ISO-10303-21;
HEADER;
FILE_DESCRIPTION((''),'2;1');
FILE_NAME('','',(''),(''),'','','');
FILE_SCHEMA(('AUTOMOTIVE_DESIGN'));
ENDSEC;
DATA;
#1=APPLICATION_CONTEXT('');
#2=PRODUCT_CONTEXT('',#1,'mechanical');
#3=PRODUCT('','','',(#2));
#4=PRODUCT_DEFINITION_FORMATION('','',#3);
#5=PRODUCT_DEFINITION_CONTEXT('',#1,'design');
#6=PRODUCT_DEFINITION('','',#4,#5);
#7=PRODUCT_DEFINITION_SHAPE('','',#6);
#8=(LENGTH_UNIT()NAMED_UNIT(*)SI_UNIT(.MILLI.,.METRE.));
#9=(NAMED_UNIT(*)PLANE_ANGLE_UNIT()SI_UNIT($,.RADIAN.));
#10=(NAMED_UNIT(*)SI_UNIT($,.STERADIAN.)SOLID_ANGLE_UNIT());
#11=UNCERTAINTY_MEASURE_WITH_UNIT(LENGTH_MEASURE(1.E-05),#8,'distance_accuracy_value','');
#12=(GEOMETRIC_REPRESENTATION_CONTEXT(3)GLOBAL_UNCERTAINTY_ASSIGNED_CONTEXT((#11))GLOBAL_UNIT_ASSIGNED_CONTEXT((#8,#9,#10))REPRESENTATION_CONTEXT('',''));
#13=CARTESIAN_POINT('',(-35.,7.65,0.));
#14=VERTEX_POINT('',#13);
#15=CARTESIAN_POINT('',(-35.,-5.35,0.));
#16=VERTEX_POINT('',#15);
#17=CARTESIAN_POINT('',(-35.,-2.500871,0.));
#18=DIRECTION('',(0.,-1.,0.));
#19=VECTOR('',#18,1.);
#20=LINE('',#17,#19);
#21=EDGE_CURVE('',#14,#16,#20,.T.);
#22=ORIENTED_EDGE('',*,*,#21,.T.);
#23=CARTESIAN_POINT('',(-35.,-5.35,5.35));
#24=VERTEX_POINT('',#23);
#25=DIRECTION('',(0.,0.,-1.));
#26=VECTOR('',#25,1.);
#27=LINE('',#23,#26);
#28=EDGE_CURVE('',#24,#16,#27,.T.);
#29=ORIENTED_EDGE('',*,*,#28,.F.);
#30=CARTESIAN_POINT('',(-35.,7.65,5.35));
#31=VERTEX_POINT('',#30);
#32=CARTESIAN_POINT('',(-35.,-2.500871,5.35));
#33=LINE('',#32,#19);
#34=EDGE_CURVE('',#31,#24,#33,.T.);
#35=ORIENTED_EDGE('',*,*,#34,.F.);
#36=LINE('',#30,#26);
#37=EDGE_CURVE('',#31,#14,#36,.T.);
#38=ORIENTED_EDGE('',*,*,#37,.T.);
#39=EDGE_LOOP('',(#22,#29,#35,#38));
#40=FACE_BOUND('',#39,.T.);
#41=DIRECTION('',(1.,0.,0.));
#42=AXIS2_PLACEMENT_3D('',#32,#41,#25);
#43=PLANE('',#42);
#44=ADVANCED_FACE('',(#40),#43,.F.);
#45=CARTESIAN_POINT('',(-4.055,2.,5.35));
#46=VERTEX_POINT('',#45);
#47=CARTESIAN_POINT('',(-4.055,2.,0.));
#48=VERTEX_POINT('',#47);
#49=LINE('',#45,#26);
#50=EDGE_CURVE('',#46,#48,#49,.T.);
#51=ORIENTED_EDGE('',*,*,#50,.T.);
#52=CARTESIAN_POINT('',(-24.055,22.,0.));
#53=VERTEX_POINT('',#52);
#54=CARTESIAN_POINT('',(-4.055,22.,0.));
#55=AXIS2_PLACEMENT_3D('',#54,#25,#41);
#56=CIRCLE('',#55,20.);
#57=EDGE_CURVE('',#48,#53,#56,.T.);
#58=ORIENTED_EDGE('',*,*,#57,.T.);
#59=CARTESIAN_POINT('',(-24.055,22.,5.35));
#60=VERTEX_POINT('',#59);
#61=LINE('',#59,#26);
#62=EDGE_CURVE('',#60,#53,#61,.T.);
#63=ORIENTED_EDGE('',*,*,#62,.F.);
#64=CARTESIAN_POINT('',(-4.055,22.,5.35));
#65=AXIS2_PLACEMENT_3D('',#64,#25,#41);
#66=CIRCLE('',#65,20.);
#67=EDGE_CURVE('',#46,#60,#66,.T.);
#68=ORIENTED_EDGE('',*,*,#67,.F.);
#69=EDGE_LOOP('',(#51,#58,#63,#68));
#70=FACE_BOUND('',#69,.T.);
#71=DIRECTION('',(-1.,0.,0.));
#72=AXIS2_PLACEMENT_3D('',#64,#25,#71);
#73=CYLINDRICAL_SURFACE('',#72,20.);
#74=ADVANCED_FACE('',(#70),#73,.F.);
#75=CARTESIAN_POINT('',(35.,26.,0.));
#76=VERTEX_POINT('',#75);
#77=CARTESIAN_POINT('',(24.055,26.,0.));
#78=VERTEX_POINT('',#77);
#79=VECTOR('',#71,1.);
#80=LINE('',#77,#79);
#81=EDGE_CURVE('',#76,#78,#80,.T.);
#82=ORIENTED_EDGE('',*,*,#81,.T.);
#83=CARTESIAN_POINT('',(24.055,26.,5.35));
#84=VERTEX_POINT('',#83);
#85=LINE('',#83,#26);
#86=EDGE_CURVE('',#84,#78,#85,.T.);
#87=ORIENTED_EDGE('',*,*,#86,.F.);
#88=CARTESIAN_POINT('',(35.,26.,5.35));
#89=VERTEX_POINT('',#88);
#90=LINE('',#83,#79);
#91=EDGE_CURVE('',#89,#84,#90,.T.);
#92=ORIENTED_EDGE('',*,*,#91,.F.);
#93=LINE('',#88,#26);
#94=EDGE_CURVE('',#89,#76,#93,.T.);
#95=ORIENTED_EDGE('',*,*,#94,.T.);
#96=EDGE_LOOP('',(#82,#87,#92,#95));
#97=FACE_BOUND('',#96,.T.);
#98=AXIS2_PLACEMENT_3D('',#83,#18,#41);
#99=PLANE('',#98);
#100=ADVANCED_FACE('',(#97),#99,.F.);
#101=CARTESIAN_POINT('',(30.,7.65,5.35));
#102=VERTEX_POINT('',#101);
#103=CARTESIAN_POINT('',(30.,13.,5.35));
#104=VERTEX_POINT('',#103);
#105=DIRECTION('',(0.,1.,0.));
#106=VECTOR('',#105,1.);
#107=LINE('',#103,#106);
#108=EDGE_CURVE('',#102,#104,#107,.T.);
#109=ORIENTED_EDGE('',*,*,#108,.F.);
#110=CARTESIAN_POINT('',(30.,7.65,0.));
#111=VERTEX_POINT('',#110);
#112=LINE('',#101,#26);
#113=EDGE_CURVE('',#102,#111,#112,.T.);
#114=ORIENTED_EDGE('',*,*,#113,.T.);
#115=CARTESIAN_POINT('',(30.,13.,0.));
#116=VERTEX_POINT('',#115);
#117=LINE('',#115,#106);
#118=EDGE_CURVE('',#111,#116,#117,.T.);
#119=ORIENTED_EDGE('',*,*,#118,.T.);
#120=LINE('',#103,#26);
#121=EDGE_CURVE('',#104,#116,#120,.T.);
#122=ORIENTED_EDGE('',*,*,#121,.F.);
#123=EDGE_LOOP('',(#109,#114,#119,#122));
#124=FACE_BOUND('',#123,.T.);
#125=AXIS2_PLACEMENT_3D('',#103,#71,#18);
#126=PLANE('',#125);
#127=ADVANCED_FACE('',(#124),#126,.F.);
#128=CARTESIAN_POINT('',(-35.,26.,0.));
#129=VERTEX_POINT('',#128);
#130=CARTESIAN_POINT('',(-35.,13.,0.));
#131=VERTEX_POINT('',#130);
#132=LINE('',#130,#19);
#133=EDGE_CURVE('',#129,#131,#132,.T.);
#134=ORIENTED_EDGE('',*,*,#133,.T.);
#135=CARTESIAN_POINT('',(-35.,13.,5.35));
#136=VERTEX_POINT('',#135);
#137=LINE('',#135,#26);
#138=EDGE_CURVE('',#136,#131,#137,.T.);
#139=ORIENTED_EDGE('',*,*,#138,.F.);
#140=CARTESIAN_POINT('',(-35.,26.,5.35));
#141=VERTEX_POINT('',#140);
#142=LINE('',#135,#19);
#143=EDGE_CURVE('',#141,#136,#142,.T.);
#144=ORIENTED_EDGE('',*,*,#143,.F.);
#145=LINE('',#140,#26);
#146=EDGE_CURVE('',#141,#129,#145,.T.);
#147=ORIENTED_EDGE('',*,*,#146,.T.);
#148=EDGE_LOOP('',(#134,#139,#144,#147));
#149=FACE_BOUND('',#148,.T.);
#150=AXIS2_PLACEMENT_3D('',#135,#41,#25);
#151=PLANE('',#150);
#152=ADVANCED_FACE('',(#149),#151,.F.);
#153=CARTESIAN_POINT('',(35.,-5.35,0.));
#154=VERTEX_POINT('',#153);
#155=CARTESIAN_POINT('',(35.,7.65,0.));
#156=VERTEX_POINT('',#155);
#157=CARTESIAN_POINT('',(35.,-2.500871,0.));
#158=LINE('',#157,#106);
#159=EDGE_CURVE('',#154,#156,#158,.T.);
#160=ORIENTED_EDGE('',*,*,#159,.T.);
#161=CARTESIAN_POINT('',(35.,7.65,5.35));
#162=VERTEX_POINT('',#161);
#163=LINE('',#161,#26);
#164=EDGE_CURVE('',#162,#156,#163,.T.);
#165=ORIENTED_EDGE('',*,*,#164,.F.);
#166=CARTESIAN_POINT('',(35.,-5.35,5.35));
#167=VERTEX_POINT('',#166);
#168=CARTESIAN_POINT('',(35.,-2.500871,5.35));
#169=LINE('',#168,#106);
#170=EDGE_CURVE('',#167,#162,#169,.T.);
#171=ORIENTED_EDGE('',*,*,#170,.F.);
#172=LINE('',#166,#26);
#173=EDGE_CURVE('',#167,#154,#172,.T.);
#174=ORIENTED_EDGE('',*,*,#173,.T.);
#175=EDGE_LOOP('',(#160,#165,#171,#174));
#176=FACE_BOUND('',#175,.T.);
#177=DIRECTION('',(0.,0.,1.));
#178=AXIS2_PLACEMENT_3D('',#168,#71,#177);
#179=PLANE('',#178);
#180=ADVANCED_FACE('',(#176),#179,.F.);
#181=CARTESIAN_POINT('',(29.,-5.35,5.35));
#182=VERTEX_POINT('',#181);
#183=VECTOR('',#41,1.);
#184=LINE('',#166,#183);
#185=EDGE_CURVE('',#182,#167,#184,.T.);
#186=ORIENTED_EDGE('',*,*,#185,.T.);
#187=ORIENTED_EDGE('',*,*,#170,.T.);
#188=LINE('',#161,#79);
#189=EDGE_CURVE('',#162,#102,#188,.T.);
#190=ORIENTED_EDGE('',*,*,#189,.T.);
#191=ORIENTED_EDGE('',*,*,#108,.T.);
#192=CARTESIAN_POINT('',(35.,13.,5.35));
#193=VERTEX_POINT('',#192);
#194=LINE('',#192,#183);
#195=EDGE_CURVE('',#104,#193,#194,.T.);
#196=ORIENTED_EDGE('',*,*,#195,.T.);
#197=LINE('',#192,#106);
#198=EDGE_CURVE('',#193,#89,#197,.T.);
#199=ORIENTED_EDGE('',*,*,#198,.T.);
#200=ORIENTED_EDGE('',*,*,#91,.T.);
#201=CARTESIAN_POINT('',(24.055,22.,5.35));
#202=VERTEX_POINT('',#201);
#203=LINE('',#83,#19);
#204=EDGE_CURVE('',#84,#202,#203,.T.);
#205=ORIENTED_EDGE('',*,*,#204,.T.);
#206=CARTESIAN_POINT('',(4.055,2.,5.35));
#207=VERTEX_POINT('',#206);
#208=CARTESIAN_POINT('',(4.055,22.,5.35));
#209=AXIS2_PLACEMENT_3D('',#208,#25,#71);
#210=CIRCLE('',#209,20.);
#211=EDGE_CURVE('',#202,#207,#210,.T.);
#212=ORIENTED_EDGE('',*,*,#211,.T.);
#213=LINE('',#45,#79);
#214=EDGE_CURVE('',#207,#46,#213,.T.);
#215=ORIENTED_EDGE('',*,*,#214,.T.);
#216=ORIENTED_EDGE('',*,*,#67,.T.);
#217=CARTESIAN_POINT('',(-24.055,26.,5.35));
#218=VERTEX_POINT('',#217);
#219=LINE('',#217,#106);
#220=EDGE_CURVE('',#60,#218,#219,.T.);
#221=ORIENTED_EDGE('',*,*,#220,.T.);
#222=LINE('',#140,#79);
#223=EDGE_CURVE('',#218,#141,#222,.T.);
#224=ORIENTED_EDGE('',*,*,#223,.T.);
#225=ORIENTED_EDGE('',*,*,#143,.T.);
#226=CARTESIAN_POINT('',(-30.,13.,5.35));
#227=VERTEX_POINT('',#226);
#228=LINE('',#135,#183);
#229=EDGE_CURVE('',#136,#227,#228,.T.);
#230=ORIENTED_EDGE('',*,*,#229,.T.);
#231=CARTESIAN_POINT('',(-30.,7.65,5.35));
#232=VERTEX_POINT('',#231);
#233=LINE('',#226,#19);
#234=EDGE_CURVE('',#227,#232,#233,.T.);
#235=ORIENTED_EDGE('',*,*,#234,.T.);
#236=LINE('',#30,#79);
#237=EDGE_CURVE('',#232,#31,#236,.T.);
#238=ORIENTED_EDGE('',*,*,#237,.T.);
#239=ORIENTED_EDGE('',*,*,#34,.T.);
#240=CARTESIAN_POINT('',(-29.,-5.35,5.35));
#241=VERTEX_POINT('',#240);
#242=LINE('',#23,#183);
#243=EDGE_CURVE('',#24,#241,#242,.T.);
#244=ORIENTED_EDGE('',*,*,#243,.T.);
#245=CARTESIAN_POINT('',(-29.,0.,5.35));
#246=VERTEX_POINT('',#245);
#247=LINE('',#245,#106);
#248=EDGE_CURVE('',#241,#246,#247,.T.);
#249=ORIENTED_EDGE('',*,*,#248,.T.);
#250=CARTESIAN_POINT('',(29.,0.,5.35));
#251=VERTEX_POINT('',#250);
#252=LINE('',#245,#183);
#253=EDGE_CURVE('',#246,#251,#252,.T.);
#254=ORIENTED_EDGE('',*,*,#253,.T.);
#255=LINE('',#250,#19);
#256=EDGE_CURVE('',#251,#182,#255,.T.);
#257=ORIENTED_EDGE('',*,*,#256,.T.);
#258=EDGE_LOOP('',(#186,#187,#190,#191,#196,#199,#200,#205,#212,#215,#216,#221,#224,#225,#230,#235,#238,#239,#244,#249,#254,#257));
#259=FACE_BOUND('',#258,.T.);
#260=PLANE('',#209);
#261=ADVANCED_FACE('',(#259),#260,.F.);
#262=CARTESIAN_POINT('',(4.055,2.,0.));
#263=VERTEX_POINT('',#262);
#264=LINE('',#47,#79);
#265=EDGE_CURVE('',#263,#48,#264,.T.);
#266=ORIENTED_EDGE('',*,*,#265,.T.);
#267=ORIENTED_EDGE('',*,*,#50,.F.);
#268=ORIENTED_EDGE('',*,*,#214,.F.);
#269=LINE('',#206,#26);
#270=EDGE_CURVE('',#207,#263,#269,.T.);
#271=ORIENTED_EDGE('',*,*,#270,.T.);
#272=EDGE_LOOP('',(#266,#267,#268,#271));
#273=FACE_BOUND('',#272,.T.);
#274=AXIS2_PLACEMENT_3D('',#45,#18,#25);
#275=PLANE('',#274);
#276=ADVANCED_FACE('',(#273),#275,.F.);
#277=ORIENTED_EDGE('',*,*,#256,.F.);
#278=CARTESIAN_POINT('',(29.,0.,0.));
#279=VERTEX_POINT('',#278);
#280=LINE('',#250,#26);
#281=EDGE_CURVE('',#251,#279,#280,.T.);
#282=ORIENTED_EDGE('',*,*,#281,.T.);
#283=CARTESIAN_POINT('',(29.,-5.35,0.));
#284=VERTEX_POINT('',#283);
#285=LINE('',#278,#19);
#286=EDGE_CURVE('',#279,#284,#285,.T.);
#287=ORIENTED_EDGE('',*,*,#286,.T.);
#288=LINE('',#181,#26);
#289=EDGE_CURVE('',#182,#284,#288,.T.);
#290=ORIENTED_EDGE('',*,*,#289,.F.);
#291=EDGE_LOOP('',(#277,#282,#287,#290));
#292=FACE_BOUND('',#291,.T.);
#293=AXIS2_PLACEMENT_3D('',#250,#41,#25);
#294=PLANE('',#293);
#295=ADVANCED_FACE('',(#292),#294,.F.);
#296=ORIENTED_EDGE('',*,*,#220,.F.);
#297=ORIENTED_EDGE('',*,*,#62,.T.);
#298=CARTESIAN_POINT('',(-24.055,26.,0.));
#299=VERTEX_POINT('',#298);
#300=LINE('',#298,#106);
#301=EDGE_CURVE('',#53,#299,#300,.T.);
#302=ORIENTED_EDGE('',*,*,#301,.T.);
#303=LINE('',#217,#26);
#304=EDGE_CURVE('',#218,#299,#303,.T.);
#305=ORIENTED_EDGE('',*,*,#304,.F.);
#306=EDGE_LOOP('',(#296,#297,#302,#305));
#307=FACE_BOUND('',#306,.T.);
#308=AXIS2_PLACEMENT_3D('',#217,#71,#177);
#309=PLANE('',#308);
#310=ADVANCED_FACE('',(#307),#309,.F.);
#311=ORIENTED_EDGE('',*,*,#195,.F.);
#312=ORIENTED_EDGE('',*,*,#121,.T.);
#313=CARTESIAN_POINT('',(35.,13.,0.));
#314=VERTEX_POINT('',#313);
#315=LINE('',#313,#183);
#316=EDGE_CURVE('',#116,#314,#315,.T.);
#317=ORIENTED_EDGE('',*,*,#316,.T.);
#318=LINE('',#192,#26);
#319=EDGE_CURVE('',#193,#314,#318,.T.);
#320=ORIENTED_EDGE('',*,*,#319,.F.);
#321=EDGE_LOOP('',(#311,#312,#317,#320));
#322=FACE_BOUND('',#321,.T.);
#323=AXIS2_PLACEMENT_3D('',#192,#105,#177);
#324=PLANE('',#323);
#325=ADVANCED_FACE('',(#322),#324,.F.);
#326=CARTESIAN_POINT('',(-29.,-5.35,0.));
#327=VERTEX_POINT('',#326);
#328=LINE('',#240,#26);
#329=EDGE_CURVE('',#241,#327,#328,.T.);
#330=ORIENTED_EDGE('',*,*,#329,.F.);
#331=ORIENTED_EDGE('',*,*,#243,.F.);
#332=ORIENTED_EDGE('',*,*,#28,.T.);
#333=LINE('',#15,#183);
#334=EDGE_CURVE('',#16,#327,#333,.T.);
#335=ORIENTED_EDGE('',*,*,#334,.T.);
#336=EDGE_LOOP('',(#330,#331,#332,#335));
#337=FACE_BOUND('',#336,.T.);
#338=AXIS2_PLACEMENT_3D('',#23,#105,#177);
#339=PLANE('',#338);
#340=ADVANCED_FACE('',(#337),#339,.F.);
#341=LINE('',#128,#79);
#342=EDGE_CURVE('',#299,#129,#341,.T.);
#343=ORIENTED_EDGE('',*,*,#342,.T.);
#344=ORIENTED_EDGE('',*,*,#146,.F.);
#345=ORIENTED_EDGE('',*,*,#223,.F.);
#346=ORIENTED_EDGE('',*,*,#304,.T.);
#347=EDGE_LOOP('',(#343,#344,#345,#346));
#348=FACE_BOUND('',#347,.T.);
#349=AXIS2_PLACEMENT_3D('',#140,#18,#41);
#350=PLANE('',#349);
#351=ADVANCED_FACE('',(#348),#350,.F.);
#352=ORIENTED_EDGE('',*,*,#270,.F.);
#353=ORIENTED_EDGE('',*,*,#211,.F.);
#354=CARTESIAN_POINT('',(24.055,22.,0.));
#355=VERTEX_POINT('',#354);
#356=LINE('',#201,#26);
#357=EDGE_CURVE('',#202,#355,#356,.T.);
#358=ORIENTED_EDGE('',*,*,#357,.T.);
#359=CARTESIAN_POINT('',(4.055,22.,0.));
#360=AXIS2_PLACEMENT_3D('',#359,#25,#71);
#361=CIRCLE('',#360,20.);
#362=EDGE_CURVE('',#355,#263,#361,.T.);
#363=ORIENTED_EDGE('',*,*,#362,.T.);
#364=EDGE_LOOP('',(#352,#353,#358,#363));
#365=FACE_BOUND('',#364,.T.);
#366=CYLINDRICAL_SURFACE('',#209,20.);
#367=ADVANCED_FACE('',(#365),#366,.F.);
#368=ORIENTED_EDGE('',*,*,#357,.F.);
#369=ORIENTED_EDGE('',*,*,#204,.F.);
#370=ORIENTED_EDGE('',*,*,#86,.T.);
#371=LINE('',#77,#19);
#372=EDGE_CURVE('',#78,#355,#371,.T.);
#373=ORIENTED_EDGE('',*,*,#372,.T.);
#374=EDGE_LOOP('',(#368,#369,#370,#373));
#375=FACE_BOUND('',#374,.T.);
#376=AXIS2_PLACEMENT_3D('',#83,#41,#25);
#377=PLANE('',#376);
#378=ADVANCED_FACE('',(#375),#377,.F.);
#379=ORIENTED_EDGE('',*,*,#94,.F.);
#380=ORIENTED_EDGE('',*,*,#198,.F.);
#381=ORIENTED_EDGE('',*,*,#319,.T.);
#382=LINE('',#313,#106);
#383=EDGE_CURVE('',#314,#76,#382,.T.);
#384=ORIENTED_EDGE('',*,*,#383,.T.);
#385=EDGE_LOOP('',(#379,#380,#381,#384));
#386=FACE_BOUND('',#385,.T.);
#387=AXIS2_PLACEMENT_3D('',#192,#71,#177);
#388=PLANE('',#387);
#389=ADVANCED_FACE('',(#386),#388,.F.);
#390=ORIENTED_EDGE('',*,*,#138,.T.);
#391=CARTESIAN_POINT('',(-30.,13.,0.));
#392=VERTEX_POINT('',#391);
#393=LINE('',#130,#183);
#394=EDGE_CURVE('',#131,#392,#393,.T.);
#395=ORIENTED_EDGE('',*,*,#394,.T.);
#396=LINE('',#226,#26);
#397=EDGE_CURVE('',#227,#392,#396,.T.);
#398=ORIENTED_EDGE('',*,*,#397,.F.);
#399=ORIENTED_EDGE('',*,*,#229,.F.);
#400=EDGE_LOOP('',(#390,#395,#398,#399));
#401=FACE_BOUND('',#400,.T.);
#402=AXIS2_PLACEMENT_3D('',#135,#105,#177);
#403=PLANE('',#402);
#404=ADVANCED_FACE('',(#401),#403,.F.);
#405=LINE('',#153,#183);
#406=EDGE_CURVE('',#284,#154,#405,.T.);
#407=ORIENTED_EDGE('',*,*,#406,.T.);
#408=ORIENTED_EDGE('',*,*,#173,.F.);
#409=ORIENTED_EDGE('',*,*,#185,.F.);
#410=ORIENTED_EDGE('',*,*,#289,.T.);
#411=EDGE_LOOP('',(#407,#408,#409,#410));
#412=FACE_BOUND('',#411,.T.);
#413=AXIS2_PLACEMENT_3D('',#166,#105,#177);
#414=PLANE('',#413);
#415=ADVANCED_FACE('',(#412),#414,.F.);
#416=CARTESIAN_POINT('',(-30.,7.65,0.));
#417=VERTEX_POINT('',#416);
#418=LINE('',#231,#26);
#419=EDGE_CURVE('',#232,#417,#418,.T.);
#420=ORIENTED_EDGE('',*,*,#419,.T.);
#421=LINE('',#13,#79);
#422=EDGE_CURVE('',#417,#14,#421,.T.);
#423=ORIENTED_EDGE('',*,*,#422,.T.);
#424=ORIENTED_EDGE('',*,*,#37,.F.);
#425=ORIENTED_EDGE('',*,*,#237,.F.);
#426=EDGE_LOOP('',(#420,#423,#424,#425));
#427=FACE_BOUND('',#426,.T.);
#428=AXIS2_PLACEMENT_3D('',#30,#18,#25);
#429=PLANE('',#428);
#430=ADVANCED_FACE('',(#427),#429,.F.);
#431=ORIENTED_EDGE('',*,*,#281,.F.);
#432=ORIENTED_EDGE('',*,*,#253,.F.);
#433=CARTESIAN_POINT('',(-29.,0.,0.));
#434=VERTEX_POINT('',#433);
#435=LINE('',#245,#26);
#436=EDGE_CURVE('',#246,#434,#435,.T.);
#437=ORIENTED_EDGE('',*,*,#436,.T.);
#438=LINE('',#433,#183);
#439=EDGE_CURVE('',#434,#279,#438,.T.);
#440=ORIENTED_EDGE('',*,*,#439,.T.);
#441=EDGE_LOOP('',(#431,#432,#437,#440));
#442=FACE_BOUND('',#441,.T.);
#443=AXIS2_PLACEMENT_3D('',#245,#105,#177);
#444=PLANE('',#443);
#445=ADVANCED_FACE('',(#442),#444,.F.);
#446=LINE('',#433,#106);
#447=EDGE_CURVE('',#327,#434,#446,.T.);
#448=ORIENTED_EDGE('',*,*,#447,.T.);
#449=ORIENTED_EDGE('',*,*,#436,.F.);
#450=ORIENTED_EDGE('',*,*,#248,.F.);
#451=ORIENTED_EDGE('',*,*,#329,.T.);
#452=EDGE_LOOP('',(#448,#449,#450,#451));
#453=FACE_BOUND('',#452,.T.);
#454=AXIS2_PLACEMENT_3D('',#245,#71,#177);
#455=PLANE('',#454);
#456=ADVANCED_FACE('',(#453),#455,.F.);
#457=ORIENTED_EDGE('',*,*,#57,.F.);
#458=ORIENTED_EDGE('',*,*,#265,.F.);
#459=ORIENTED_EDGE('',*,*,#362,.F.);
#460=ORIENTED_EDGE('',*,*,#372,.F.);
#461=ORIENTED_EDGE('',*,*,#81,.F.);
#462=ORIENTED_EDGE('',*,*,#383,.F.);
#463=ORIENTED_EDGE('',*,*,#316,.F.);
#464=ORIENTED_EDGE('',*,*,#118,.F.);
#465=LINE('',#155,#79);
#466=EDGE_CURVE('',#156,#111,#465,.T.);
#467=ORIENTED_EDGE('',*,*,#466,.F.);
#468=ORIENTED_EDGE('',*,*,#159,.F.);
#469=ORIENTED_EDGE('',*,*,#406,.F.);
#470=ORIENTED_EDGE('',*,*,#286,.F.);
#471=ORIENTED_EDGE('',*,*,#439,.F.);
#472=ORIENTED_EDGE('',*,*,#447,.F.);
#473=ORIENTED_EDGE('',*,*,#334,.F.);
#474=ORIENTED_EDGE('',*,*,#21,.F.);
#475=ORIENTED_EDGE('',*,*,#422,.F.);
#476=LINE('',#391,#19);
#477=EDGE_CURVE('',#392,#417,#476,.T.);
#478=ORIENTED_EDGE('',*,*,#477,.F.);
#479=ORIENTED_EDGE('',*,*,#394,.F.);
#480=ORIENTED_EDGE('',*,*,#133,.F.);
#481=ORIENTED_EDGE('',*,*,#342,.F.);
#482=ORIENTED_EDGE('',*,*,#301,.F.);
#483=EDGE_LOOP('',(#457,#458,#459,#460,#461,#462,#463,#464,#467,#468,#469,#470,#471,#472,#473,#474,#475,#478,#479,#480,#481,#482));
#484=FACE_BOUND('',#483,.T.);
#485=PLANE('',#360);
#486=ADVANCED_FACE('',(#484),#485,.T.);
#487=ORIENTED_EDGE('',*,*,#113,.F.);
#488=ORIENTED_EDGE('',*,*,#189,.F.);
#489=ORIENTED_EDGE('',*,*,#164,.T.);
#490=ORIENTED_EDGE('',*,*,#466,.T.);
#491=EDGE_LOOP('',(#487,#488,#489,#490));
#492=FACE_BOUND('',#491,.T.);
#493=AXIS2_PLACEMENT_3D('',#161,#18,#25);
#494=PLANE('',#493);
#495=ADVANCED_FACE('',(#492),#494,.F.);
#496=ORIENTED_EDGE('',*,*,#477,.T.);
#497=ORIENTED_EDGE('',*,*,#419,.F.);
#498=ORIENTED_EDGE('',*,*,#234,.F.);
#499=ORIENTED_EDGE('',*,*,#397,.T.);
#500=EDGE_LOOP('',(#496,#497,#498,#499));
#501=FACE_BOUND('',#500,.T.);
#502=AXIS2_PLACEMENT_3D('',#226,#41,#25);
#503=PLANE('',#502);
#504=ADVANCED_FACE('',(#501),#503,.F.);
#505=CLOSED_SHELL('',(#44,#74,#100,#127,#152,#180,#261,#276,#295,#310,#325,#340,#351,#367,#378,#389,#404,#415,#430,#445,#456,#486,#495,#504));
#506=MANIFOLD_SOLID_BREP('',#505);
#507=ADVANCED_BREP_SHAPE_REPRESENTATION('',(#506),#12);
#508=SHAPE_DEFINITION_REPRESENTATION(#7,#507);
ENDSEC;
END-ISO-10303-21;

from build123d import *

# Parameters (mm, degrees)
BOSS_EXTRUDE1_DEPTH = 5.35


with BuildPart() as part:
    # Model → Boss-Extrude1 (new body)
    with BuildSketch(Plane.XY):
        with BuildLine():
            Line((-29, 0), (29, 0))
            Line((29, 0), (29, -5.35))
            Line((29, -5.35), (35, -5.35))
            Line((35, -5.35), (35, -2.50087083))
            Line((35, -2.50087083), (35, 7.65))
            Line((35, 7.65), (30, 7.65))
            Line((30, 7.65), (30, 13))
            Line((30, 13), (35, 13))
            Line((35, 13), (35, 26))
            Line((35, 26), (24.055, 26))
            Line((24.055, 26), (24.055, 22))
            ThreePointArc((24.055, 22), (18.197135624, 7.857864376), (4.055, 2))
            Line((4.055, 2), (-4.055, 2))
            ThreePointArc((-4.055, 2), (-18.197135624, 7.857864376), (-24.055, 22))
            Line((-24.055, 22), (-24.055, 26))
            Line((-24.055, 26), (-35, 26))
            Line((-35, 26), (-35, 13))
            Line((-35, 13), (-30, 13))
            Line((-30, 13), (-30, 7.65))
            Line((-30, 7.65), (-35, 7.65))
            Line((-35, 7.65), (-35, -2.50087083))
            Line((-35, -2.50087083), (-35, -5.35))
            Line((-35, -5.35), (-29, -5.35))
            Line((-29, -5.35), (-29, 0))
        make_face()
    extrude(amount=BOSS_EXTRUDE1_DEPTH)


solid = part.part
